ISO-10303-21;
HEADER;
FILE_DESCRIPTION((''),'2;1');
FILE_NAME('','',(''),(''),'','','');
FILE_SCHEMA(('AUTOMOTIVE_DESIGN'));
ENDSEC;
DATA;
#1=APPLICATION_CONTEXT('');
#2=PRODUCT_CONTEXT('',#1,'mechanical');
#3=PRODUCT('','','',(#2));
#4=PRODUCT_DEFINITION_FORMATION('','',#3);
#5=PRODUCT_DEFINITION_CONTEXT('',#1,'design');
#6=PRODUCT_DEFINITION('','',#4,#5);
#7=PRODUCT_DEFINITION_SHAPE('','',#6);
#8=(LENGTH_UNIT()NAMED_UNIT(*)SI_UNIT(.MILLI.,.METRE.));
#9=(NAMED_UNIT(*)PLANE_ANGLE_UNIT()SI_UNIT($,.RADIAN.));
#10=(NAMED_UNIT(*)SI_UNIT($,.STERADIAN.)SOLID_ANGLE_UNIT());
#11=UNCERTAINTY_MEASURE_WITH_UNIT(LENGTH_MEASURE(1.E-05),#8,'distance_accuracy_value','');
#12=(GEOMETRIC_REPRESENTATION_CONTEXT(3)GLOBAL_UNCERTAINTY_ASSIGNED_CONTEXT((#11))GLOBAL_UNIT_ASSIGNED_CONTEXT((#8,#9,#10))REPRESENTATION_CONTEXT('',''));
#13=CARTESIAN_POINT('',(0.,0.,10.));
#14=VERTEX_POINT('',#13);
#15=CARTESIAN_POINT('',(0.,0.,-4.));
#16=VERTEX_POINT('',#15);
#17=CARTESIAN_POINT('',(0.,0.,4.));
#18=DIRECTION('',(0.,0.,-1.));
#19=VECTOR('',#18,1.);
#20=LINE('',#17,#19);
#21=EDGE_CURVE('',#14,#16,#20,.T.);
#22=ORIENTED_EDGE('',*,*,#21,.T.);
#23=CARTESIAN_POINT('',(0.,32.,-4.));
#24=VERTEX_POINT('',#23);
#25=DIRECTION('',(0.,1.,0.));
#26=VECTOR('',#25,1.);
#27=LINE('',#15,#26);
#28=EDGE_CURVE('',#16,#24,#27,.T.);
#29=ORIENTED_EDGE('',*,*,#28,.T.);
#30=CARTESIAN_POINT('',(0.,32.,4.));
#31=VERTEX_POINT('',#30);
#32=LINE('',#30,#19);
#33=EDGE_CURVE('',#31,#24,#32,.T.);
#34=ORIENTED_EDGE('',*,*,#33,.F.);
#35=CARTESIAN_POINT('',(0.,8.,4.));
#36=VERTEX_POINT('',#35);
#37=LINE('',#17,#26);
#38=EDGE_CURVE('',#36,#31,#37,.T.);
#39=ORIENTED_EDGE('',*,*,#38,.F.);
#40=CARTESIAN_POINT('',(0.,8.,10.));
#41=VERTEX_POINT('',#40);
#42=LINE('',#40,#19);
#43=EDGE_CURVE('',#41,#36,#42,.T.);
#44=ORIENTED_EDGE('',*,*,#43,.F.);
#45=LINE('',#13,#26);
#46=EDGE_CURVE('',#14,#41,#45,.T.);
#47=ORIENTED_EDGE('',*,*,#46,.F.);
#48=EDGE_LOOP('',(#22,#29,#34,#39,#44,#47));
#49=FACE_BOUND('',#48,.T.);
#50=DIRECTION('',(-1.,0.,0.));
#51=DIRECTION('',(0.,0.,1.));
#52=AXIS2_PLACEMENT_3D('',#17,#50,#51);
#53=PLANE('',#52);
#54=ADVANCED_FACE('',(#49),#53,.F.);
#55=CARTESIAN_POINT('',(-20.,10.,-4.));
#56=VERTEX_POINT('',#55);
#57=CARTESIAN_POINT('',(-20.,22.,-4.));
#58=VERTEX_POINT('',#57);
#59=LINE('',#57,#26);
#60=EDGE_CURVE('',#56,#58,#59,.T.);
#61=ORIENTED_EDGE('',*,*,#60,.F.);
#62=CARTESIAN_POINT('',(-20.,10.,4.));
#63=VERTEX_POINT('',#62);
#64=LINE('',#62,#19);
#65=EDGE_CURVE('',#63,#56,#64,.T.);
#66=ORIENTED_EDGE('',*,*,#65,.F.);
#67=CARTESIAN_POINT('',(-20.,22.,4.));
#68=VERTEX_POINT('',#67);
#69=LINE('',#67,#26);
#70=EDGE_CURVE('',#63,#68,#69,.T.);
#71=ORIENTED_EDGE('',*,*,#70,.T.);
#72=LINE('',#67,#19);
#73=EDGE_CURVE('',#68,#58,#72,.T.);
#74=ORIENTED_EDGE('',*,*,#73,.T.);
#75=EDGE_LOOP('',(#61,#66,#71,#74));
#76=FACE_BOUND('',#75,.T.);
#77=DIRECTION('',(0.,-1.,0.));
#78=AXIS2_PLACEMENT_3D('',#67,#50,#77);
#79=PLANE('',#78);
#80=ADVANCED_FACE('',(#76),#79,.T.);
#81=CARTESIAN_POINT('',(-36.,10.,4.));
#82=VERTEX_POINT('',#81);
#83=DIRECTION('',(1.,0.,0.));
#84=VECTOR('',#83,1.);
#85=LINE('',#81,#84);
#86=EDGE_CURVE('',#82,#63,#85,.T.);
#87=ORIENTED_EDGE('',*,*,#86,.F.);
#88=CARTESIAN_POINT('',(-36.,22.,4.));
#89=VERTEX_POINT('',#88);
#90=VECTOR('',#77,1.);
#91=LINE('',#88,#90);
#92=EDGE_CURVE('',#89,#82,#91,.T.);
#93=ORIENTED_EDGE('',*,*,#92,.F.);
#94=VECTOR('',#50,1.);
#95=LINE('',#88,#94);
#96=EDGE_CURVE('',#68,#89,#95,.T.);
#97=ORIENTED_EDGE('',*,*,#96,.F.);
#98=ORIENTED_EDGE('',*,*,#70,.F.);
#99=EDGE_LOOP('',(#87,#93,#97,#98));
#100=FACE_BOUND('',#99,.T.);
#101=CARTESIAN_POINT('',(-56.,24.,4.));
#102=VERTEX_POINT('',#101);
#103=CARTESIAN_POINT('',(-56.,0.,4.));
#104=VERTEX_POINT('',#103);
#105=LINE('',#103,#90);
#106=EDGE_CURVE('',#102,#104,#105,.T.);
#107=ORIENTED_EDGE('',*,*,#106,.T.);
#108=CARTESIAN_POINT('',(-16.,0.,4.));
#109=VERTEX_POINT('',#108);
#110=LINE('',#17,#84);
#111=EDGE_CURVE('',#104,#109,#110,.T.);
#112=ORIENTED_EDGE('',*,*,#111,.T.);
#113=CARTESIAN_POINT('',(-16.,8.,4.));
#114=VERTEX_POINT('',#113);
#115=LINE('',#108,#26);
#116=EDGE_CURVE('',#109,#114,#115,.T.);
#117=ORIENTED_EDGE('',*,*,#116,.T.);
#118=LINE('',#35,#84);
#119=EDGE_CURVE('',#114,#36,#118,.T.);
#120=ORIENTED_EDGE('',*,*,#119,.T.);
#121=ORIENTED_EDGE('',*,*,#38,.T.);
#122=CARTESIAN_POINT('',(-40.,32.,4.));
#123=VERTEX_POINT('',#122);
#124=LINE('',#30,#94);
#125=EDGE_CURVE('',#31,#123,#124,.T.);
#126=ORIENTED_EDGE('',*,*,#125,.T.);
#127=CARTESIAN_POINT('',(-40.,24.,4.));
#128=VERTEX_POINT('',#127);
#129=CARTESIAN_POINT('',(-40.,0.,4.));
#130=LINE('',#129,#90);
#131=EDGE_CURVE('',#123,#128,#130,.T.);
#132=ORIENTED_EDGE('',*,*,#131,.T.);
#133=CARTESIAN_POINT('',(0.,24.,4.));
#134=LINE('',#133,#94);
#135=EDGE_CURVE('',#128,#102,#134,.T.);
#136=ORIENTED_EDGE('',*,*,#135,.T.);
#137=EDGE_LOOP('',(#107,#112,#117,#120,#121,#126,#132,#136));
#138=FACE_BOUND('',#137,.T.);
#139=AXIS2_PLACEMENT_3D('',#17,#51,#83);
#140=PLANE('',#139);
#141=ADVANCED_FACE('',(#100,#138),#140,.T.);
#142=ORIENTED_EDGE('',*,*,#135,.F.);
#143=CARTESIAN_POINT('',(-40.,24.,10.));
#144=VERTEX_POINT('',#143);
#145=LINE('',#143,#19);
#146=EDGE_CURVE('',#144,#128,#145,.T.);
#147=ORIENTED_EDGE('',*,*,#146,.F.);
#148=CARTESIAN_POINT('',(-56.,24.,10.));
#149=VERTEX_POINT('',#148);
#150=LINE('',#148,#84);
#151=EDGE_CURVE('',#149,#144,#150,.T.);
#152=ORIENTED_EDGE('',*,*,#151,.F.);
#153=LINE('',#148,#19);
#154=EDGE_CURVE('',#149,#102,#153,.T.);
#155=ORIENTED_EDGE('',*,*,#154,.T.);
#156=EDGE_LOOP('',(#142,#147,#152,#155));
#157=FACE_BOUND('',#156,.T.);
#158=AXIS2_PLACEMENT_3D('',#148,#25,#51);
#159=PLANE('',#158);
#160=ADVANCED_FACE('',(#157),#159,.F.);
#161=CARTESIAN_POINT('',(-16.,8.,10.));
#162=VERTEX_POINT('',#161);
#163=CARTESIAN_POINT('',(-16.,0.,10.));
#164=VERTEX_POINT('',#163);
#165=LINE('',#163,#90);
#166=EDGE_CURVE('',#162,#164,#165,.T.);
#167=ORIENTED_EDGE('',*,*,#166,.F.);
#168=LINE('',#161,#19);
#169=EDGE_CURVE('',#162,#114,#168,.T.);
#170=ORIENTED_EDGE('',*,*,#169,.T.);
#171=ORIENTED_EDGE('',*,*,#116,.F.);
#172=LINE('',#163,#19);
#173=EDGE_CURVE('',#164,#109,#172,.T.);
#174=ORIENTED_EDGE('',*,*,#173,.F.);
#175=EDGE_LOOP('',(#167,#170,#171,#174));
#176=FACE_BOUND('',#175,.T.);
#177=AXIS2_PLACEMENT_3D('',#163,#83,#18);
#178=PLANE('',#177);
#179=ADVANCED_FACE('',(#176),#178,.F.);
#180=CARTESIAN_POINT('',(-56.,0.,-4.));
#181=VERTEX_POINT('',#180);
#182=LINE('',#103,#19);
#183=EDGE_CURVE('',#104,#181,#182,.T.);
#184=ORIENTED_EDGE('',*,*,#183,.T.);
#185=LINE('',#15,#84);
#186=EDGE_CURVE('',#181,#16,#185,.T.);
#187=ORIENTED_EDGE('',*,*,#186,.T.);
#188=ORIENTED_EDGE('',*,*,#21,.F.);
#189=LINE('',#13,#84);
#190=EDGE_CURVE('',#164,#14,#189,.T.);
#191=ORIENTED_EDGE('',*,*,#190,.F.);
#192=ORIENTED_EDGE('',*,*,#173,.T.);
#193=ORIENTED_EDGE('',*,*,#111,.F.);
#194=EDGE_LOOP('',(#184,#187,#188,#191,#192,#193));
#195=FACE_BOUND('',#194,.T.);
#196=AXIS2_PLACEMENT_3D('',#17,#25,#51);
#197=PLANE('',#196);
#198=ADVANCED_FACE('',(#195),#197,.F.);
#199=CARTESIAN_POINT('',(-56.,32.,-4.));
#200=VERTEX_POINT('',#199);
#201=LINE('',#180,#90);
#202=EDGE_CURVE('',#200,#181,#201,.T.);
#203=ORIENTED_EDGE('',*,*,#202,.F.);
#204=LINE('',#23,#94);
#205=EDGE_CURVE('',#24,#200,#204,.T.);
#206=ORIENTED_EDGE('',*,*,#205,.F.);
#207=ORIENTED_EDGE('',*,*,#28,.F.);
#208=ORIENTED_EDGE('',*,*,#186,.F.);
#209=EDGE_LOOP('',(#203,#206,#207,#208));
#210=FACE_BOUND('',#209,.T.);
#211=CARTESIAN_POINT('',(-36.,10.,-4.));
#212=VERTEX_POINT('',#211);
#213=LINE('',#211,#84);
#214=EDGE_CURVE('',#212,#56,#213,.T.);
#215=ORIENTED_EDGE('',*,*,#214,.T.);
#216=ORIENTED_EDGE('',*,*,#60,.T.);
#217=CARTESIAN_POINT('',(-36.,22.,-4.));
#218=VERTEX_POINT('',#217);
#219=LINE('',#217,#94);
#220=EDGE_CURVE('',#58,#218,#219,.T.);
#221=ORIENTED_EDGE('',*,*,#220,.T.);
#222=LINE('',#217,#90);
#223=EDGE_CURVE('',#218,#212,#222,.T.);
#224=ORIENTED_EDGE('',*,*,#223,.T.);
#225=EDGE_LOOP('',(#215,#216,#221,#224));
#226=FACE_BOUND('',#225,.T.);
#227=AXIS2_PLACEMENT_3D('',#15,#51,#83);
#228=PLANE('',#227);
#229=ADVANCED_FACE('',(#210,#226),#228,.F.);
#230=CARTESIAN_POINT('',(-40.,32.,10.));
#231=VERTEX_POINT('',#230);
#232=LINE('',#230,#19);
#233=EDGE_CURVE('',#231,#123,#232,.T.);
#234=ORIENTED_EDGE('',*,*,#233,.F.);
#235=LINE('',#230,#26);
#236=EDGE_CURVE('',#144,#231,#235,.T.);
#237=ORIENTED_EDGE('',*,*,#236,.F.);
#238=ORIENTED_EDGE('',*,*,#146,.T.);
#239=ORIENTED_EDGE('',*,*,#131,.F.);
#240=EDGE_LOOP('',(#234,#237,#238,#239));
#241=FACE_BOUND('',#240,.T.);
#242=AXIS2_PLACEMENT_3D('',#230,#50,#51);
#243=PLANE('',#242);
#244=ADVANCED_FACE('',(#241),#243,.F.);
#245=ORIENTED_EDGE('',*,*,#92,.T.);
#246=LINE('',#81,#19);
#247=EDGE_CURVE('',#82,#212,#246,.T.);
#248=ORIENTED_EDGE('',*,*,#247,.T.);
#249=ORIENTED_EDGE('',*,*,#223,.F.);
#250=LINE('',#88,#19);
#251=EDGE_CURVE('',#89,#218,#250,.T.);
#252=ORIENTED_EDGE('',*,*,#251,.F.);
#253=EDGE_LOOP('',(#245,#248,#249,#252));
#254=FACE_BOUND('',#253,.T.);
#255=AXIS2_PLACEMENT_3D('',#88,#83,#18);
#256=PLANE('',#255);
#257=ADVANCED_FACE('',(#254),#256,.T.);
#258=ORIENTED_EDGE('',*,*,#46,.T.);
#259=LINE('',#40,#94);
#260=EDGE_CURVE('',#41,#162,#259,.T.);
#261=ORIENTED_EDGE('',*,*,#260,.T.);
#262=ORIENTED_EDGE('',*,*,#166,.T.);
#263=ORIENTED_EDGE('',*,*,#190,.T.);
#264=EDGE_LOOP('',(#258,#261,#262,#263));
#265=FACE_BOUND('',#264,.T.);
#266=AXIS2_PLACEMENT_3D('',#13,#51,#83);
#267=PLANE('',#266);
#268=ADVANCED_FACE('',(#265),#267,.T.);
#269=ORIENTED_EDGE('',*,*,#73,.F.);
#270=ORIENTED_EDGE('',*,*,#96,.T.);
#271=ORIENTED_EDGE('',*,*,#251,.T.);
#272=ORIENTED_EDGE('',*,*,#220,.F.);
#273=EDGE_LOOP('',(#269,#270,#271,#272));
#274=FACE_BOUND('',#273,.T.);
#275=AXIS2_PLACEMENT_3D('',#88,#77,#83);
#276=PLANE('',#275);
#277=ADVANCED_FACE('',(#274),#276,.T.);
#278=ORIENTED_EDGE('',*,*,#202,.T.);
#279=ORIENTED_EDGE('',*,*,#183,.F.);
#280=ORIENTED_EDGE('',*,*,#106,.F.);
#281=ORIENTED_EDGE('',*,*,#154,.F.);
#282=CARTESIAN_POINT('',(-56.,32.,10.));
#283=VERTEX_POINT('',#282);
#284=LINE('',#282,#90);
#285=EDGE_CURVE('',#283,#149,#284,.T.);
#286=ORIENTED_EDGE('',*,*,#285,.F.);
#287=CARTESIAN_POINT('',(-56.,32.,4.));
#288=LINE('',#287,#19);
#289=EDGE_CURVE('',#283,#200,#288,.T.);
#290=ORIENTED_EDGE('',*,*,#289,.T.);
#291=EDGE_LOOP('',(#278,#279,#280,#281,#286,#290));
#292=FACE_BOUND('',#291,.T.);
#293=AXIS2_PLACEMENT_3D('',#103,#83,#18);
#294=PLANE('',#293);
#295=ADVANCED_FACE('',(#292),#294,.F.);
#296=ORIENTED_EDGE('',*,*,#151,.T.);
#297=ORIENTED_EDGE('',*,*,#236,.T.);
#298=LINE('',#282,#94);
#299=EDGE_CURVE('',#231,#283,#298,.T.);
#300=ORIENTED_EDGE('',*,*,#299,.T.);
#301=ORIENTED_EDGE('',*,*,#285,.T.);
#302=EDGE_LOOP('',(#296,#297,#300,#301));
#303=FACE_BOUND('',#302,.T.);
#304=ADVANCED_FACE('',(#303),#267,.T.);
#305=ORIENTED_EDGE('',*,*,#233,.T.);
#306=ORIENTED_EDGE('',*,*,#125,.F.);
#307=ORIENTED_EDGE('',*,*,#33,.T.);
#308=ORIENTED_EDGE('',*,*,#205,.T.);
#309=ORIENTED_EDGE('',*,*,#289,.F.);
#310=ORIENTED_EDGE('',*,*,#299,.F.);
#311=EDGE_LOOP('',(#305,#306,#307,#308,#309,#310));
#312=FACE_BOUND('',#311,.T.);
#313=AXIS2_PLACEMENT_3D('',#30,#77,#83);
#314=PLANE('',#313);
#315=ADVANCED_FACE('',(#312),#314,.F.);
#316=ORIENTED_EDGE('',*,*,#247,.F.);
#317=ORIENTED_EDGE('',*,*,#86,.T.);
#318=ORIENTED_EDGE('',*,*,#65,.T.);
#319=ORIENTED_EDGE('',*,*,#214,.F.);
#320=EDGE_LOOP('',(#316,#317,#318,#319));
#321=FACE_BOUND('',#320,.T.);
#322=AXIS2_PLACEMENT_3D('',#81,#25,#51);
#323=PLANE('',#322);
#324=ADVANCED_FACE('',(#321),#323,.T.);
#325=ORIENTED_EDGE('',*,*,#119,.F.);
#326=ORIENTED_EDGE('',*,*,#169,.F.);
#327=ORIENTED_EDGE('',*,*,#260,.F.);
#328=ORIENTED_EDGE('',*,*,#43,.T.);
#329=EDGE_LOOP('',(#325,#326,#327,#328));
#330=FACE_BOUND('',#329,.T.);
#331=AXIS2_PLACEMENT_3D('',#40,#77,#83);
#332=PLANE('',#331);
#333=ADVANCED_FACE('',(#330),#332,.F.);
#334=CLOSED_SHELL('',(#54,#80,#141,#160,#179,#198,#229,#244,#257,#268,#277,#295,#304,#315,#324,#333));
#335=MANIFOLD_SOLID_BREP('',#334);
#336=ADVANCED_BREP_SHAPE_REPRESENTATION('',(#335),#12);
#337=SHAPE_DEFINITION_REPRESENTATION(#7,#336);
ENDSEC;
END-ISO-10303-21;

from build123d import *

# Parameters (mm, degrees)
SKETCH1_W           = 56
SKETCH1_H           = 32
SKETCH1_W_2         = 16
SKETCH1_H_2         = 12
BOSS_EXTRUDE1_DEPTH = 4
SKETCH2_W           = 16
SKETCH2_H           = 8
BOSS_EXTRUDE3_DEPTH = 6


with BuildPart() as part:
    # Sketch1 → Boss-Extrude1 (new, symmetric)
    with BuildSketch(Plane.XY):
        with Locations((-28, 16)):
            Rectangle(SKETCH1_W, SKETCH1_H)
        with Locations((-28, 16)):
            Rectangle(SKETCH1_W_2, SKETCH1_H_2, mode=Mode.SUBTRACT)
    extrude(amount=BOSS_EXTRUDE1_DEPTH, both=True)

    # Sketch2 → Boss-Extrude3 (add, symmetric)
    with BuildSketch(Plane.XY.offset(4)):
        with Locations((-48, 28)):
            Rectangle(SKETCH2_W, SKETCH2_H)
        with Locations((-8, 4)):
            Rectangle(SKETCH2_W, SKETCH2_H)
    extrude(amount=BOSS_EXTRUDE3_DEPTH, both=True)


solid = part.part
